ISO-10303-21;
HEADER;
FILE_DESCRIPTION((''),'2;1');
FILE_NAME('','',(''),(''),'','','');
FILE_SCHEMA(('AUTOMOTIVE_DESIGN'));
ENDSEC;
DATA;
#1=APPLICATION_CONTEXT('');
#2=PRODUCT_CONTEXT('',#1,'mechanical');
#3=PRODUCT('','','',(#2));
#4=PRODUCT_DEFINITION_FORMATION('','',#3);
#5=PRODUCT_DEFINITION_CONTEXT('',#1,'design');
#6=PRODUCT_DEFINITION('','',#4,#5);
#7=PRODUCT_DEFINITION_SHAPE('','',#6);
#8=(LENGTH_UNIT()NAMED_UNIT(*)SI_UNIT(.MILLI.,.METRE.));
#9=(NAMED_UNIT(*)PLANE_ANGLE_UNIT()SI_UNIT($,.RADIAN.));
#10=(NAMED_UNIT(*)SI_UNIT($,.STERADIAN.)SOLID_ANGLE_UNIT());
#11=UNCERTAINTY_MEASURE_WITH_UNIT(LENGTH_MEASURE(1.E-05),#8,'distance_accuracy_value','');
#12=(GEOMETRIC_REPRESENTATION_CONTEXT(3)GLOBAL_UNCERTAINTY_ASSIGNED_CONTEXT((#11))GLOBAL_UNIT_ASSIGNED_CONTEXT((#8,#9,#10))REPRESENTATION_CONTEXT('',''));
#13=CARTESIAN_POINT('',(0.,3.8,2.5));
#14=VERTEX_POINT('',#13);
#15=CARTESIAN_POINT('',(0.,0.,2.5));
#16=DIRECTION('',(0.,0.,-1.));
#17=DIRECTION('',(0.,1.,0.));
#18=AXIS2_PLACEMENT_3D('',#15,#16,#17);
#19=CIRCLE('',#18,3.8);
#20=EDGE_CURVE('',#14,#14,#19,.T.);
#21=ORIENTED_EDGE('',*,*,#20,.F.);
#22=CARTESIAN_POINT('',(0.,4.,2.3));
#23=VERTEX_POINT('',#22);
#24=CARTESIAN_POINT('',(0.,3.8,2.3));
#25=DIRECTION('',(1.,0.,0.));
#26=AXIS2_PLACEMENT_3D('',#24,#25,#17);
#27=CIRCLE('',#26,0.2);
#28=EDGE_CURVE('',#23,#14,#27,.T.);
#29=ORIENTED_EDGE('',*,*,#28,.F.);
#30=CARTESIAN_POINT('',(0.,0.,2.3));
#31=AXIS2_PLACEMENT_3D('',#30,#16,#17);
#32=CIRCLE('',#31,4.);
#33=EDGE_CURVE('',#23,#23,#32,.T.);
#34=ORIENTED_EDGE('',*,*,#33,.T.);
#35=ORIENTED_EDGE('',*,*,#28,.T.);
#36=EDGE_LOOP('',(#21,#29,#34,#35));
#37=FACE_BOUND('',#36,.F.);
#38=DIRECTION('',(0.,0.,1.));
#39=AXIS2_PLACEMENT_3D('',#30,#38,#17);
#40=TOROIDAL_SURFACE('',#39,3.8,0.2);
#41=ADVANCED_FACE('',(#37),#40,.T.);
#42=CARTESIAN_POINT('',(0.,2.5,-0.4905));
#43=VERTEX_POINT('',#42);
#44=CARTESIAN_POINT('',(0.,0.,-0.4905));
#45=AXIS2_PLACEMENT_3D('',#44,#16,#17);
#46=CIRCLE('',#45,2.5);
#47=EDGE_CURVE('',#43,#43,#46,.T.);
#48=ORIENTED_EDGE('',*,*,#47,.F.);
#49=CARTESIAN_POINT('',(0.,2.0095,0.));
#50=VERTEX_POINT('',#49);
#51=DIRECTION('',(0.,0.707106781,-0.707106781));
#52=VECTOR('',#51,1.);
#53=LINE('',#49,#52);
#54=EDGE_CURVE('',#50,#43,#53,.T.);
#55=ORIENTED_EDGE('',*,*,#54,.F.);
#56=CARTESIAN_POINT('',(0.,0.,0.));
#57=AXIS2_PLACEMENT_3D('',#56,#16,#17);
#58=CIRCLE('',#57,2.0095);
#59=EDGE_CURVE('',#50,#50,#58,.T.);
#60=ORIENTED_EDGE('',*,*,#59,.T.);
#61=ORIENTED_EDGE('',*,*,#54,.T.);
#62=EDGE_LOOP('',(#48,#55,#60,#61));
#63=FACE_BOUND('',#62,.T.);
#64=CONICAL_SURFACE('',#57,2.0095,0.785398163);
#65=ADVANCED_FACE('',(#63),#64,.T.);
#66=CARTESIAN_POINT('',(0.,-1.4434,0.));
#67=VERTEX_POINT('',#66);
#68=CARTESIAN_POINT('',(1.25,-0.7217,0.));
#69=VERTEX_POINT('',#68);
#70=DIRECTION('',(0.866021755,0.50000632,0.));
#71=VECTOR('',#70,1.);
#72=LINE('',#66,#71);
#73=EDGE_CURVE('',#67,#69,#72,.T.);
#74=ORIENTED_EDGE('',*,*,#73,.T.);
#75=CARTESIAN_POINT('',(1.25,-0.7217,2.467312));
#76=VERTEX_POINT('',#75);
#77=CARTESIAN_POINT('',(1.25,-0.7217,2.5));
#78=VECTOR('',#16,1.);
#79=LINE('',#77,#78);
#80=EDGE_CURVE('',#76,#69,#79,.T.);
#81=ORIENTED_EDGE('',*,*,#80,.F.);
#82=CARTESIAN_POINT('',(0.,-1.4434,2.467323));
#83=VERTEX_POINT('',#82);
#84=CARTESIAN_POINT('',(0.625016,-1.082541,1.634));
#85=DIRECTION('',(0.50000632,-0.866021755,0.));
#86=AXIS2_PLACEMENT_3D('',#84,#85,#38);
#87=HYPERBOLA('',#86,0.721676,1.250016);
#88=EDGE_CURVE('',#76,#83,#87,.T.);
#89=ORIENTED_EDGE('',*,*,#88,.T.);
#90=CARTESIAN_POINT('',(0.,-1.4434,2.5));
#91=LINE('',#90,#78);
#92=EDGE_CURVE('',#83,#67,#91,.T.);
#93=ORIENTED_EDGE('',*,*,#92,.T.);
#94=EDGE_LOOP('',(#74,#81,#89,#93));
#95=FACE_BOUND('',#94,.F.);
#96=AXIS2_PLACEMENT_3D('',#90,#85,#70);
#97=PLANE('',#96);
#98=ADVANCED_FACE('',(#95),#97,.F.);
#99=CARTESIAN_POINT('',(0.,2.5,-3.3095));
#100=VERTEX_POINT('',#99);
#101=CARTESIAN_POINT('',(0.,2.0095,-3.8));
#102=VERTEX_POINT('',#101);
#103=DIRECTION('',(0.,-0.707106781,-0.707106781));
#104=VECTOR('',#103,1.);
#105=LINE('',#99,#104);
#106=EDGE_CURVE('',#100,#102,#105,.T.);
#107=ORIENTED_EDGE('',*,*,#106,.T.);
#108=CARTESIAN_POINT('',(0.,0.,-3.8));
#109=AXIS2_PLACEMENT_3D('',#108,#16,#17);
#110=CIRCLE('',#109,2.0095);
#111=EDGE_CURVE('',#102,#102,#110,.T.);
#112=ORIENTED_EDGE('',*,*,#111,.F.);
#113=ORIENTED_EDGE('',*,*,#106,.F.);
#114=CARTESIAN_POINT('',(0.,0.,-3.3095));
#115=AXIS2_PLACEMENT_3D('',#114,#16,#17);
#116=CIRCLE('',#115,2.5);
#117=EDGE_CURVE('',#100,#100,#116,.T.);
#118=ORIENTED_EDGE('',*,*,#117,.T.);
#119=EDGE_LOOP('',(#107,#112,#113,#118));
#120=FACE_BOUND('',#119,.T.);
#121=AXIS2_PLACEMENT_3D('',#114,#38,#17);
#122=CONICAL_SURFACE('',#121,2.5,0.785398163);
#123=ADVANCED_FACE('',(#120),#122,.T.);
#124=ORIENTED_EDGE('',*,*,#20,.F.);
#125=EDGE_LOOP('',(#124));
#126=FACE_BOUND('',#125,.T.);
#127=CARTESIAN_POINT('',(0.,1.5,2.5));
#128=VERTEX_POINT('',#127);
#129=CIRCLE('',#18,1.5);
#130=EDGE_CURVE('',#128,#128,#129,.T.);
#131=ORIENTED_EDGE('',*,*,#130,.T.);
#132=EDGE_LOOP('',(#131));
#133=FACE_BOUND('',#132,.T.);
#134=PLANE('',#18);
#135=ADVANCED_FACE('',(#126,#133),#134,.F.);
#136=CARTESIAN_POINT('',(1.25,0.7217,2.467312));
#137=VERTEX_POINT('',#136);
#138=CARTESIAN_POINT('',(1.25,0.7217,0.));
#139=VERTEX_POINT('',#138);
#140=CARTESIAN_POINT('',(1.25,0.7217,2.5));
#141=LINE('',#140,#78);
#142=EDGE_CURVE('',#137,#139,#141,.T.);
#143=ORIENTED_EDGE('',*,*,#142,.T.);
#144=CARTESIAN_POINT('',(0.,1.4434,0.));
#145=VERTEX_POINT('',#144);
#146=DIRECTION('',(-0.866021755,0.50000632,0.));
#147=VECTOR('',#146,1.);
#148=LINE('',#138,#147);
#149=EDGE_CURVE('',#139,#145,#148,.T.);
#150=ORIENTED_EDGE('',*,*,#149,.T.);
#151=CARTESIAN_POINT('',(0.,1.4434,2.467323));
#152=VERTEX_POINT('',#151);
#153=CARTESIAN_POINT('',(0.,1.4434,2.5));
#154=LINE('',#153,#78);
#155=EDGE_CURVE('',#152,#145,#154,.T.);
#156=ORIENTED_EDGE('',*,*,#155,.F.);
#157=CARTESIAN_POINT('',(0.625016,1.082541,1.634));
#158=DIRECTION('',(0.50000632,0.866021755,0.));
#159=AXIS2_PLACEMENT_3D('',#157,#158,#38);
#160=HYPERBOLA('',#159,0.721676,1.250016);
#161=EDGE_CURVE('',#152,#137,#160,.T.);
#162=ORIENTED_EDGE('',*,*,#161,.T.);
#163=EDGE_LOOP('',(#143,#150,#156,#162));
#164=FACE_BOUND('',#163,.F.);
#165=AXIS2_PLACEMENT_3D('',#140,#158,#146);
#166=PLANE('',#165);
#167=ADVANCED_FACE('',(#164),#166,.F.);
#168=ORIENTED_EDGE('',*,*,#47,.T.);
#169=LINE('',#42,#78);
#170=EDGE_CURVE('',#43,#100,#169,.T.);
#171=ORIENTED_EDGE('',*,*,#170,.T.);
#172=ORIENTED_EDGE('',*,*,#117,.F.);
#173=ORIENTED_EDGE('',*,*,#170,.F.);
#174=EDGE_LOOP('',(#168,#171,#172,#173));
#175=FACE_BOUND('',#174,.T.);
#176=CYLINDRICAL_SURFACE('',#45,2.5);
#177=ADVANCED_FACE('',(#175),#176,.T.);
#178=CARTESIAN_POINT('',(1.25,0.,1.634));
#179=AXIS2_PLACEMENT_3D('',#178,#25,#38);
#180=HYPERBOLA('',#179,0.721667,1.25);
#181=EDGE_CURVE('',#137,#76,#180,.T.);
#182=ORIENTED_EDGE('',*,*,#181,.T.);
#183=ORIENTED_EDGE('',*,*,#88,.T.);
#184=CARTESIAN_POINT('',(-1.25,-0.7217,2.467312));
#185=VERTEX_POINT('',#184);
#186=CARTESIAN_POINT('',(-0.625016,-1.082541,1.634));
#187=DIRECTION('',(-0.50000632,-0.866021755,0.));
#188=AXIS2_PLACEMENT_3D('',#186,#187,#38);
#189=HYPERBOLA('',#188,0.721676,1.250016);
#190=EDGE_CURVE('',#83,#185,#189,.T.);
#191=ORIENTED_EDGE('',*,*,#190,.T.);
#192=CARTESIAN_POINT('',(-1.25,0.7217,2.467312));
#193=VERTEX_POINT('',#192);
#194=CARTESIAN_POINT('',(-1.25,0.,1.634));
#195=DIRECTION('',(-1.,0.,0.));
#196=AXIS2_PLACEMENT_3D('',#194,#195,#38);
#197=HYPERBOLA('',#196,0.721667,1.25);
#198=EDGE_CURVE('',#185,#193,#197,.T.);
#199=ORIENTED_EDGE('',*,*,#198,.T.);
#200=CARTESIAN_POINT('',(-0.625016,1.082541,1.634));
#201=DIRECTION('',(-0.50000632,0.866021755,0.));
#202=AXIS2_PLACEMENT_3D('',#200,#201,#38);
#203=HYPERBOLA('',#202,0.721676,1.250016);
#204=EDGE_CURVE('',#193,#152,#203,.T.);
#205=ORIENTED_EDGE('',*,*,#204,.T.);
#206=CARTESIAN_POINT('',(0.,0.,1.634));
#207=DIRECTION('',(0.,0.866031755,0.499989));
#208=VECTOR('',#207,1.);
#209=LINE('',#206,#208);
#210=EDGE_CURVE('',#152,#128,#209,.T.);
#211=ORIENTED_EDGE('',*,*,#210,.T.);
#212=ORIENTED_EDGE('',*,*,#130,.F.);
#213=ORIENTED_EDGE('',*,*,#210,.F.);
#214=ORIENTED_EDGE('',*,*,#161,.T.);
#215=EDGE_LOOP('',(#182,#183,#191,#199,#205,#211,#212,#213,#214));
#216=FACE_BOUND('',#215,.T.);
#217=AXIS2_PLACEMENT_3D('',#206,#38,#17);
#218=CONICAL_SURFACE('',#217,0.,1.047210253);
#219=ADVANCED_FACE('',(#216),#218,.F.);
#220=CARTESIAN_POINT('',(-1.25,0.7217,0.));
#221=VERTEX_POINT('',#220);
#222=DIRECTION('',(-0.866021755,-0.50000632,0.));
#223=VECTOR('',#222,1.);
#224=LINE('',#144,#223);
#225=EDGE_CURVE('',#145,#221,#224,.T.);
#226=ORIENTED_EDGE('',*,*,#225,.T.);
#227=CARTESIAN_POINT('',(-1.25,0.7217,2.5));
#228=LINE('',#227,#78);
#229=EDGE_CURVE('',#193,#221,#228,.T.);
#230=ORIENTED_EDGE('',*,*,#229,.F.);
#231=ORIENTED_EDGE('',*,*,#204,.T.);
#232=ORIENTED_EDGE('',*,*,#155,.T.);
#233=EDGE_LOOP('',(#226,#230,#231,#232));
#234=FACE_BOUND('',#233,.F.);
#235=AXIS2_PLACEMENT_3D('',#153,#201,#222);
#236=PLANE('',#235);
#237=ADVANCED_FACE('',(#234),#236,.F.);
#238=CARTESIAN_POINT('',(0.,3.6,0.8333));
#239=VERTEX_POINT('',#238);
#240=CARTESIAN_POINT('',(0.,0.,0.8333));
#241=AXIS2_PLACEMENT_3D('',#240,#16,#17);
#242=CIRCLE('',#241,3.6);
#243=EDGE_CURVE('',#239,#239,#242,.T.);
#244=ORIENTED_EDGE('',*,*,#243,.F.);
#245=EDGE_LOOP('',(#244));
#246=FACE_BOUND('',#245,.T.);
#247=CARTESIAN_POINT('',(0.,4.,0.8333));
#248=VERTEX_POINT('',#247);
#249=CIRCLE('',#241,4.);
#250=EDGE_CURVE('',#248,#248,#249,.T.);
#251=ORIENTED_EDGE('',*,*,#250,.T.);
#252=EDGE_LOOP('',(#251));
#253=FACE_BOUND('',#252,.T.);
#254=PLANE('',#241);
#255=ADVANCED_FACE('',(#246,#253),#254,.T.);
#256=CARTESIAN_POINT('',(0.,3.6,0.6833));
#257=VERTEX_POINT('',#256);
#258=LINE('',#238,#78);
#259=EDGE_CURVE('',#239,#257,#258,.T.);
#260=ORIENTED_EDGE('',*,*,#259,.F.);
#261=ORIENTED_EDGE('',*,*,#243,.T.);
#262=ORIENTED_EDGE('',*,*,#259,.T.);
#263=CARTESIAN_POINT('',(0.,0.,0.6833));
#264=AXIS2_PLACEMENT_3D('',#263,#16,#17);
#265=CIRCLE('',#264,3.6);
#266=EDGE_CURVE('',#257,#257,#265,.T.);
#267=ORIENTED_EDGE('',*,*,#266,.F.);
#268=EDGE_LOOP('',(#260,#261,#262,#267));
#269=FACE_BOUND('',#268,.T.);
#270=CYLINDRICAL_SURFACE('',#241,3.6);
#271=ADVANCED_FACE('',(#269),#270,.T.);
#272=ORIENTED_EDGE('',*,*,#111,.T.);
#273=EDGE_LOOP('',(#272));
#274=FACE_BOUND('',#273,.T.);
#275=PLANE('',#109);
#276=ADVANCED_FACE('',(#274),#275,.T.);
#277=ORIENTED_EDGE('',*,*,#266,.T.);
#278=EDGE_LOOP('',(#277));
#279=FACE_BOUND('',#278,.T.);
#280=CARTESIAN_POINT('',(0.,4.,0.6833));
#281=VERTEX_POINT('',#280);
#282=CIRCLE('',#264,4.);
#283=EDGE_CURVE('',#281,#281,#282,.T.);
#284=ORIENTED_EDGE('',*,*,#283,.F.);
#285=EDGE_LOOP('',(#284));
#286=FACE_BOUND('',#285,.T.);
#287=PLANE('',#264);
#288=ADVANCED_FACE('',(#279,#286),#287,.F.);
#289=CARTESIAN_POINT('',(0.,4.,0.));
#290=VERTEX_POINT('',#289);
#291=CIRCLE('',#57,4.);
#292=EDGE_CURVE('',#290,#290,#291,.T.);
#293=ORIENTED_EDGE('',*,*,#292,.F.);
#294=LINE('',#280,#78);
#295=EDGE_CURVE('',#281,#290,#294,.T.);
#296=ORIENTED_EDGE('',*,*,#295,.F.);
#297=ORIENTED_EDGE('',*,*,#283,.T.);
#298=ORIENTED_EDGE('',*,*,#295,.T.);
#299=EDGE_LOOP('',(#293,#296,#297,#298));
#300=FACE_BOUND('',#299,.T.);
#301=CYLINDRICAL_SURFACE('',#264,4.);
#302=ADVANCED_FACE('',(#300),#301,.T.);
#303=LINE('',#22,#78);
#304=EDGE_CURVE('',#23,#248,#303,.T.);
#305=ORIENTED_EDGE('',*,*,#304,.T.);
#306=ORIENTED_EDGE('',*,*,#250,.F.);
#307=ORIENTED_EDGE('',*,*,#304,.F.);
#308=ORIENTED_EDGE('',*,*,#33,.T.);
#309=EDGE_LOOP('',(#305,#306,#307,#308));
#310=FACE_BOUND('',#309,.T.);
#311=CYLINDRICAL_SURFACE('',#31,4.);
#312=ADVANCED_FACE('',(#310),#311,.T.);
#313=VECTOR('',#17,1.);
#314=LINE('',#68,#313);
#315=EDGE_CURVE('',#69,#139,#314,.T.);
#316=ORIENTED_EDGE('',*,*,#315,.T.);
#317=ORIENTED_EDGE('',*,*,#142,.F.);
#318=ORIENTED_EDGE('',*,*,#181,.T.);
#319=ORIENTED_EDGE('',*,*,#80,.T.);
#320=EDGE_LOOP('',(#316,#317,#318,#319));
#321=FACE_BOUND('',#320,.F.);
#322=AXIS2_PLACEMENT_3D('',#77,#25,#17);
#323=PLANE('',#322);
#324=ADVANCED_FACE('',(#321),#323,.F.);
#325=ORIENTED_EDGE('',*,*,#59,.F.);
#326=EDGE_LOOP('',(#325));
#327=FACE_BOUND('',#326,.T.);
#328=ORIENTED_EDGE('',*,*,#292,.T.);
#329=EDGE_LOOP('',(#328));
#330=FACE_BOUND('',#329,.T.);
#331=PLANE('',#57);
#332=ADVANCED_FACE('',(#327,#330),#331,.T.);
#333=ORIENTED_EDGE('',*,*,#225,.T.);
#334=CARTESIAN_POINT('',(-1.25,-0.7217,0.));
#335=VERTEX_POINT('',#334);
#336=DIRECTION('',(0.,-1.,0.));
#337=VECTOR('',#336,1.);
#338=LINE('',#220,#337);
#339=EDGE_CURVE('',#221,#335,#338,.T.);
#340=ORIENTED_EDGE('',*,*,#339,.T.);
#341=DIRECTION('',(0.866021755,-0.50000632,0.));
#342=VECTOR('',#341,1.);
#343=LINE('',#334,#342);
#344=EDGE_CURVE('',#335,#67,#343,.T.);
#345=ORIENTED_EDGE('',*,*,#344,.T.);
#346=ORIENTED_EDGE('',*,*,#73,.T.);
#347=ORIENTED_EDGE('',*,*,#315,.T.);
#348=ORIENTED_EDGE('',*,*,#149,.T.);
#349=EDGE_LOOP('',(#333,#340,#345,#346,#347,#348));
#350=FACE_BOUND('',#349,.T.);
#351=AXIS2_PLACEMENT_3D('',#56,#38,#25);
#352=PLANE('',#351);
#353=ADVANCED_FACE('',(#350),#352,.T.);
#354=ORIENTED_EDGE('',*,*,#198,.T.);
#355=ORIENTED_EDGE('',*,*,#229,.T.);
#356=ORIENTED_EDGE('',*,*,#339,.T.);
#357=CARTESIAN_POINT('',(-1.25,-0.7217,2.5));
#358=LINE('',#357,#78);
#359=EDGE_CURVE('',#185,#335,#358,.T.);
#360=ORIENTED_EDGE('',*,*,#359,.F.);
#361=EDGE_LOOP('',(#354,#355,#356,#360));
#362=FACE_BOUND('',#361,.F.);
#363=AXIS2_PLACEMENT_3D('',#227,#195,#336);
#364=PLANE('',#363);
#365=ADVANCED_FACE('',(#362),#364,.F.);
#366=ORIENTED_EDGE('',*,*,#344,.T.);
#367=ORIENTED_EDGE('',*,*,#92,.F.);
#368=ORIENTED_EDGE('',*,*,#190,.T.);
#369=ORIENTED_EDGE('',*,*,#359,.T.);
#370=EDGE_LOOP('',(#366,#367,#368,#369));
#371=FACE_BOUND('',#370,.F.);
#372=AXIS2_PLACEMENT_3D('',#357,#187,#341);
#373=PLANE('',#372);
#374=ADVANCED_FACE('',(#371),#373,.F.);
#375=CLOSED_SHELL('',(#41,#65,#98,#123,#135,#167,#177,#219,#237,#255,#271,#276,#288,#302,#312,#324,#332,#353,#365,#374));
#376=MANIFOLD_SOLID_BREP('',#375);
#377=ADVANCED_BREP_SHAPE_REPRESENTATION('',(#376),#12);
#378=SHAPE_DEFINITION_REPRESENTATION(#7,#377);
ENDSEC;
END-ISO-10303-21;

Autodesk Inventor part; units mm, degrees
sketch "Sketch_1" plane through (0, 0, 0) normal (1, 0, 0) x (0, 1, 0)
  line L0 (0, -3.8) -> (0, 1.634)
  line L1 (0, 1.634) -> (1.5, 2.5)
  line L2 (1.5, 2.5) -> (3.8, 2.5)
  arc A0 (4, 2.3) -> (3.8, 2.5) centre (3.8, 2.3) ccw
  line L3 (4, 2.3) -> (4, 0.8333)
  line L4 (4, 0.8333) -> (3.6, 0.8333)
  line L5 (3.6, 0.8333) -> (3.6, 0.6833)
  line L6 (3.6, 0.6833) -> (4, 0.6833)
  line L7 (4, 0.6833) -> (4, 0)
  line L8 (4, 0) -> (2.0095, 0)
  line L9 (2.0095, 0) -> (2.5, -0.4905)
  line L10 (2.5, -0.4905) -> (2.5, -3.3095)
  line L11 (2.5, -3.3095) -> (2.0095, -3.8)
  line L12 (2.0095, -3.8) -> (0, -3.8)
  line L13 (0, -3.8) -> (0, 1.634)
revolve "Revolution1" add sketch "Sketch_1" angle 360 about axis through (0, 0, -3.8) along (0, 0, -1)
thread "Thread1" size "M5x0.8" class "6g" standard "ISO Metric profile" full length
sketch "Skizze_4" plane through (0, 0, 2.5) normal (0, 0, 1) x (1, 0, 0)
  line L0 (-1.25, -0.7217) -> (0, -1.4434)
  line L1 (0, -1.4434) -> (1.25, -0.7217)
  line L2 (1.25, -0.7217) -> (1.25, 0.7217)
  line L3 (1.25, 0.7217) -> (0, 1.4434)
  line L4 (0, 1.4434) -> (-1.25, 0.7217)
  line L5 (-1.25, 0.7217) -> (-1.25, -0.7217)
extrude "Extrusion1" cut sketch "Skizze_4" against normal blind 2.5
ref_plane "ANBAU_XY" through (0, 0, 0) normal (0, 0, 1) x (1, 0, 0)
ref_plane "ANBAU_YZ" through (0, 0, 0) normal (1, 0, 0) x (0, 1, 0)
ref_plane "ANBAU_ZX" through (0, 0, 0) normal (0, 1, 0) x (0, 0, 1)
ref_plane "ANBAU_STD_XY" through (0, 0, 0) normal (0, 0, 1) x (1, 0, 0)
ref_plane "ANBAU_STD_YZ" through (0, 0, 0) normal (1, 0, 0) x (0, 1, 0)
ref_plane "ANBAU_STD_ZX" through (0, 0, 0) normal (0, 1, 0) x (0, 0, 1)
ref_plane "CPV_XY" through (0, 0, 0) normal (0, 0, 1) x (1, 0, 0)
ref_plane "CPV_YZ" through (0, 0, 0) normal (1, 0, 0) x (0, 1, 0)
ref_plane "CPV_ZX" through (0, 0, 0) normal (0, 1, 0) x (0, 0, 1)
properties part number "174308 B-M5-B"
